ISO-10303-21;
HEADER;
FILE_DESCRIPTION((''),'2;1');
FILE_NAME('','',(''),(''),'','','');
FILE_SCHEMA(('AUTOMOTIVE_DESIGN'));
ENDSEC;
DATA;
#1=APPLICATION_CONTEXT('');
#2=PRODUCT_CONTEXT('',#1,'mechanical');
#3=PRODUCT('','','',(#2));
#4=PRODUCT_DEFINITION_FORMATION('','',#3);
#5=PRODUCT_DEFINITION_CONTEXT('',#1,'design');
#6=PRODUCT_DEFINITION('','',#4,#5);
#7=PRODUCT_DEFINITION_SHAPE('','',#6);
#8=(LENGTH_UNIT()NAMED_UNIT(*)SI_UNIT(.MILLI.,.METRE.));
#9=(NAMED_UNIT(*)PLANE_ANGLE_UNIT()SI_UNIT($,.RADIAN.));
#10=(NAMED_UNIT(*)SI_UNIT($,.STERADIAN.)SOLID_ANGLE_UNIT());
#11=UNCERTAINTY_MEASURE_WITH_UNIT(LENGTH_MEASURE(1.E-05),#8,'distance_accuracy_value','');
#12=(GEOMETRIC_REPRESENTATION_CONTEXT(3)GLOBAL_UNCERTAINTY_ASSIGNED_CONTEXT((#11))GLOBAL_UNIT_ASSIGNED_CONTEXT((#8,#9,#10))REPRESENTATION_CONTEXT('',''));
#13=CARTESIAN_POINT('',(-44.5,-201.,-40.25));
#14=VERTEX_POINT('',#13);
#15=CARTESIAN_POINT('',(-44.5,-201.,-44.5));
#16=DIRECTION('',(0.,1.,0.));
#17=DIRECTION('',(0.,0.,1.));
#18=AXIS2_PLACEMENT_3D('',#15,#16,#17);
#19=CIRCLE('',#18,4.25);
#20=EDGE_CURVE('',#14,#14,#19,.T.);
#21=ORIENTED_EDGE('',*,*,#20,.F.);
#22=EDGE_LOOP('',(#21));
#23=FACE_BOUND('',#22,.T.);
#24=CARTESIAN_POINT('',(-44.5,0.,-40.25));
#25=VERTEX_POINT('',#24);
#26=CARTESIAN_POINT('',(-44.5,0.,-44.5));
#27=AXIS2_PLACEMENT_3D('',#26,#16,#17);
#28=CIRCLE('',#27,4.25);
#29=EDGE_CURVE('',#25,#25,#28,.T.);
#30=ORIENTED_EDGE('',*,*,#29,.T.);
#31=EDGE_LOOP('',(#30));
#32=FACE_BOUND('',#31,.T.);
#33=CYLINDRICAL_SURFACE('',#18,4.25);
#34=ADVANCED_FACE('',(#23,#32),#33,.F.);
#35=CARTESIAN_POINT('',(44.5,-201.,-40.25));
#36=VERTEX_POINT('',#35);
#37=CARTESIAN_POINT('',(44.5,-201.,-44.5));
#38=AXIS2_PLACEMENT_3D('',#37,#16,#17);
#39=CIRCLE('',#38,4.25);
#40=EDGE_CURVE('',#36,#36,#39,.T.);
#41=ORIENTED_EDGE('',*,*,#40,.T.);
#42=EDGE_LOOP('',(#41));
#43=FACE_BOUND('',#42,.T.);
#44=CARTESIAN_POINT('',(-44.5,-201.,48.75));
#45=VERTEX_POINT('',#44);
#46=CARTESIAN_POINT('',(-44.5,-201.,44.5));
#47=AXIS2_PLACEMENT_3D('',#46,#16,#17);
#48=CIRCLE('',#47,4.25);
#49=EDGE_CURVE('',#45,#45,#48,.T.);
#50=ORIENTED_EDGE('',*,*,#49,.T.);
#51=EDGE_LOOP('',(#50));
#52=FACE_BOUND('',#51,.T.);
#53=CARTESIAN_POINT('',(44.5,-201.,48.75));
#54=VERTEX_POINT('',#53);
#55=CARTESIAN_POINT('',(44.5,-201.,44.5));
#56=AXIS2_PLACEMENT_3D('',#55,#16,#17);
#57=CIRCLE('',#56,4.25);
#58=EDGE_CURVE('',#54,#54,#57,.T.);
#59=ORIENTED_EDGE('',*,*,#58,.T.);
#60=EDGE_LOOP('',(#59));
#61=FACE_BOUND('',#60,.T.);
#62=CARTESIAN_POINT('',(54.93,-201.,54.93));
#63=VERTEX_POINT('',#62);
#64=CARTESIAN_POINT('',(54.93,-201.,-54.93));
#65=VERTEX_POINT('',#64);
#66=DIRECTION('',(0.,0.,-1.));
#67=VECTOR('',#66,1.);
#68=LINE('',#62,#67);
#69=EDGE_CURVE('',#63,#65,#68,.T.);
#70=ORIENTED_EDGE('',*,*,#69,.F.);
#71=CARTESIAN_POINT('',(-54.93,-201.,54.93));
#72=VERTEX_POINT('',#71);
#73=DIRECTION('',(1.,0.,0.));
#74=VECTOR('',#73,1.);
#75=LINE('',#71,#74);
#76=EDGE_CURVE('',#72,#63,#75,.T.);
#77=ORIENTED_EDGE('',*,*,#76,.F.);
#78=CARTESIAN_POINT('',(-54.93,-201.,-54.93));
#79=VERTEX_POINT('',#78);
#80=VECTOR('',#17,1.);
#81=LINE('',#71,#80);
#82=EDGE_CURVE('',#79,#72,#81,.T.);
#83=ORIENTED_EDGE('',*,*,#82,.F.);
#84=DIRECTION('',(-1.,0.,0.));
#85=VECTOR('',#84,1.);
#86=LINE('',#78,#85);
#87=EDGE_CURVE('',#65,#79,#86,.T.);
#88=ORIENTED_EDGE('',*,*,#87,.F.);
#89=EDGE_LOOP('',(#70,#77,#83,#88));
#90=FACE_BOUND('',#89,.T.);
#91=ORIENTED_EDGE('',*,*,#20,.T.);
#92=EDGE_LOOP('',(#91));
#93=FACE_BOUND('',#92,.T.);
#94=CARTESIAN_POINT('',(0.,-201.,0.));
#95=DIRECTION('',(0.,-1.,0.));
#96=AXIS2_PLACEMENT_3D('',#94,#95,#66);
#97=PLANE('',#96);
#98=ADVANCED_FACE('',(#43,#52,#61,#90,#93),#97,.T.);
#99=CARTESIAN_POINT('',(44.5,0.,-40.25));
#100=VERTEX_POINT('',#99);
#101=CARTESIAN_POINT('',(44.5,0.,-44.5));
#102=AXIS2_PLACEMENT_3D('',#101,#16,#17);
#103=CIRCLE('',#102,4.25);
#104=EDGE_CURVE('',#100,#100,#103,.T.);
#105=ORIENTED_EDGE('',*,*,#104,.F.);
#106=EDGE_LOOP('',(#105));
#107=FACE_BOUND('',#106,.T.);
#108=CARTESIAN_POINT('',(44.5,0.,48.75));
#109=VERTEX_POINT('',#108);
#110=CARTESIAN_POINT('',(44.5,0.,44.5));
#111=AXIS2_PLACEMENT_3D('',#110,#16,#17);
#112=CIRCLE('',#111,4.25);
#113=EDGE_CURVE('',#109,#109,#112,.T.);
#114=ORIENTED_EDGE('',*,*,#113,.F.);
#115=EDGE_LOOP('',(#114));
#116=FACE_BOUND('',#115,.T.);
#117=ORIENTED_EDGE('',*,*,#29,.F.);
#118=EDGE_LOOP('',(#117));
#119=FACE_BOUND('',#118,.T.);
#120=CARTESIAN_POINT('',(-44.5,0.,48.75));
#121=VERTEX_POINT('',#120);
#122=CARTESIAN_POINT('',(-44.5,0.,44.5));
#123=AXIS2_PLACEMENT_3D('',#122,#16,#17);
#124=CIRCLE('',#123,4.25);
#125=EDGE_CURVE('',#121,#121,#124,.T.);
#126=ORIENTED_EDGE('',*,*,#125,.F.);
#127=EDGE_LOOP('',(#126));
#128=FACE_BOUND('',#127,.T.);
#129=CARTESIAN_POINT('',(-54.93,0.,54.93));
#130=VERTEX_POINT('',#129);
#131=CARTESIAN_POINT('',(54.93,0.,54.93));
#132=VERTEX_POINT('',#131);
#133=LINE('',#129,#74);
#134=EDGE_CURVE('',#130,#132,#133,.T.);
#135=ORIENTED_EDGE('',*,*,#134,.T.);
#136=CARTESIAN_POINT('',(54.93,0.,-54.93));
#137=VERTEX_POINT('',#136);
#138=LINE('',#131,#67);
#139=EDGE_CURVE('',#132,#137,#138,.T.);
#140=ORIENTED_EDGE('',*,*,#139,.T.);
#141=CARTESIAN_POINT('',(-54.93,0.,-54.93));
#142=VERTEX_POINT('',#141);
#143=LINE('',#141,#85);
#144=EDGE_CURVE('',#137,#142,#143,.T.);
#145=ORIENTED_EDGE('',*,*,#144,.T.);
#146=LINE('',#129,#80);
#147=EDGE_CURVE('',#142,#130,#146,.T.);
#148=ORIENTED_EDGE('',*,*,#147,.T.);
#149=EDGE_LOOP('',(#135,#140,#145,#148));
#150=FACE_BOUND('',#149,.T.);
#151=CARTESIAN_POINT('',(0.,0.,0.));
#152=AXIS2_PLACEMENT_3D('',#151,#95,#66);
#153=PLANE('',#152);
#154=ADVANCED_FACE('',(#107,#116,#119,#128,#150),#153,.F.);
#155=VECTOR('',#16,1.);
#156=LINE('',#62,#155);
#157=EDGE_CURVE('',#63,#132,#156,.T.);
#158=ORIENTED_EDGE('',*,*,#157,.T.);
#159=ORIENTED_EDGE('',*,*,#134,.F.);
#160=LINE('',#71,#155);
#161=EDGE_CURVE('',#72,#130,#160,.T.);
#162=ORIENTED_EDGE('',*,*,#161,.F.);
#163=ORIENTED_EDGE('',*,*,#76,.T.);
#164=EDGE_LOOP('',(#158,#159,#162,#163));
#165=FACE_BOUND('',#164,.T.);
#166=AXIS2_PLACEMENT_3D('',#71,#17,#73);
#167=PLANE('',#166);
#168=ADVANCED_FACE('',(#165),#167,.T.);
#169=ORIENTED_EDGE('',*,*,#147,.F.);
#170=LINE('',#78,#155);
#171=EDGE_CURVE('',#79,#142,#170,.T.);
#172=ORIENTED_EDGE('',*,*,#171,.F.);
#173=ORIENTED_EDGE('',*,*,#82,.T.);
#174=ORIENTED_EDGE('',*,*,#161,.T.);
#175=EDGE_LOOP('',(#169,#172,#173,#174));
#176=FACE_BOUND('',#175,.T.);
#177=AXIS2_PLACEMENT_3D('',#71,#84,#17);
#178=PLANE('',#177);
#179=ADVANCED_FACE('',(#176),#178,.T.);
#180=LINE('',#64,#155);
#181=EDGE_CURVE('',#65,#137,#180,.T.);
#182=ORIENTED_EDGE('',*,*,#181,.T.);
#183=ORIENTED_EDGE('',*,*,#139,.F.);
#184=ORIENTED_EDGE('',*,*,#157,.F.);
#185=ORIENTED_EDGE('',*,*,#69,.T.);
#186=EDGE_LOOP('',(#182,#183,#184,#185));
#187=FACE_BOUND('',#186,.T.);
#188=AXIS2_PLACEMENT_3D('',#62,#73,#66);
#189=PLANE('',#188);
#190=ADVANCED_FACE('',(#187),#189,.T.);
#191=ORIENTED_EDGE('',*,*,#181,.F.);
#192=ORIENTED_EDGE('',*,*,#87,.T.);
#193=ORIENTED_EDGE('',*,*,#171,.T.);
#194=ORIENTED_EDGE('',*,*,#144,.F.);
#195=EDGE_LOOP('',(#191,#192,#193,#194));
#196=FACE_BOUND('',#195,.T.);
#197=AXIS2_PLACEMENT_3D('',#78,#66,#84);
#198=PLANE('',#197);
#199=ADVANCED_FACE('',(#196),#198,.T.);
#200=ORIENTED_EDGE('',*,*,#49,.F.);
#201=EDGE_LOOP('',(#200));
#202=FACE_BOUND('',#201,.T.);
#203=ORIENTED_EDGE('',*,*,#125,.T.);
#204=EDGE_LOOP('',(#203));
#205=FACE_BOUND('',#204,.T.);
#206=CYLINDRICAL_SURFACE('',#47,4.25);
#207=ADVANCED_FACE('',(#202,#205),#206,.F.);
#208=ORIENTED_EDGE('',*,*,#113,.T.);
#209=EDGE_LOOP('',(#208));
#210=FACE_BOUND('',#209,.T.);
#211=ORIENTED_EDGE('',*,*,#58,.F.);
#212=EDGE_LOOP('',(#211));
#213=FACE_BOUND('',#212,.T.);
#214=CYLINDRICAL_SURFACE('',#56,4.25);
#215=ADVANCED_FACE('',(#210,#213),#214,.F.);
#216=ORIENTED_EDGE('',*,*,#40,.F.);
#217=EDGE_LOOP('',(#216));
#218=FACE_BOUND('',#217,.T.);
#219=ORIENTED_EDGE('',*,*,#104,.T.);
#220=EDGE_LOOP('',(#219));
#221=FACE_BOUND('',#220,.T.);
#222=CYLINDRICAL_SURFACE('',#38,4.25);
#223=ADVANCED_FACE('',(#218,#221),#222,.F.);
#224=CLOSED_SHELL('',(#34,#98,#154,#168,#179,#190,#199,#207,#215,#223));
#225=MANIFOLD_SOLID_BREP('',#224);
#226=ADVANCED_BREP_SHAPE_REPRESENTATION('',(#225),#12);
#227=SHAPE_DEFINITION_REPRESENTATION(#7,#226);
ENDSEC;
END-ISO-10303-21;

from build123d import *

# Parameters (mm, degrees)
SKETCH1_W           = 109.86
SKETCH1_H           = 109.86
SKETCH1_R           = 4.25
BOSS_EXTRUDE1_DEPTH = 201


with BuildPart() as part:
    # Sketch1 → Boss-Extrude1 (new body)
    with BuildSketch(Plane(origin=(0, 0, 0), x_dir=(1, 0, 0), z_dir=(0, 1, 0))):
        Rectangle(SKETCH1_W, SKETCH1_H)
        with Locations(Location((-44.5, 44.5, 0), (0, 0, 270))):
            Circle(SKETCH1_R, mode=Mode.SUBTRACT)
        with Locations(Location((44.5, 44.5, 0), (0, 0, 270))):
            Circle(SKETCH1_R, mode=Mode.SUBTRACT)
        with Locations(Location((44.5, -44.5, 0), (0, 0, 270))):
            Circle(SKETCH1_R, mode=Mode.SUBTRACT)
        with Locations(Location((-44.5, -44.5, 0), (0, 0, 270))):
            Circle(SKETCH1_R, mode=Mode.SUBTRACT)
    extrude(amount=-BOSS_EXTRUDE1_DEPTH)


solid = part.part
